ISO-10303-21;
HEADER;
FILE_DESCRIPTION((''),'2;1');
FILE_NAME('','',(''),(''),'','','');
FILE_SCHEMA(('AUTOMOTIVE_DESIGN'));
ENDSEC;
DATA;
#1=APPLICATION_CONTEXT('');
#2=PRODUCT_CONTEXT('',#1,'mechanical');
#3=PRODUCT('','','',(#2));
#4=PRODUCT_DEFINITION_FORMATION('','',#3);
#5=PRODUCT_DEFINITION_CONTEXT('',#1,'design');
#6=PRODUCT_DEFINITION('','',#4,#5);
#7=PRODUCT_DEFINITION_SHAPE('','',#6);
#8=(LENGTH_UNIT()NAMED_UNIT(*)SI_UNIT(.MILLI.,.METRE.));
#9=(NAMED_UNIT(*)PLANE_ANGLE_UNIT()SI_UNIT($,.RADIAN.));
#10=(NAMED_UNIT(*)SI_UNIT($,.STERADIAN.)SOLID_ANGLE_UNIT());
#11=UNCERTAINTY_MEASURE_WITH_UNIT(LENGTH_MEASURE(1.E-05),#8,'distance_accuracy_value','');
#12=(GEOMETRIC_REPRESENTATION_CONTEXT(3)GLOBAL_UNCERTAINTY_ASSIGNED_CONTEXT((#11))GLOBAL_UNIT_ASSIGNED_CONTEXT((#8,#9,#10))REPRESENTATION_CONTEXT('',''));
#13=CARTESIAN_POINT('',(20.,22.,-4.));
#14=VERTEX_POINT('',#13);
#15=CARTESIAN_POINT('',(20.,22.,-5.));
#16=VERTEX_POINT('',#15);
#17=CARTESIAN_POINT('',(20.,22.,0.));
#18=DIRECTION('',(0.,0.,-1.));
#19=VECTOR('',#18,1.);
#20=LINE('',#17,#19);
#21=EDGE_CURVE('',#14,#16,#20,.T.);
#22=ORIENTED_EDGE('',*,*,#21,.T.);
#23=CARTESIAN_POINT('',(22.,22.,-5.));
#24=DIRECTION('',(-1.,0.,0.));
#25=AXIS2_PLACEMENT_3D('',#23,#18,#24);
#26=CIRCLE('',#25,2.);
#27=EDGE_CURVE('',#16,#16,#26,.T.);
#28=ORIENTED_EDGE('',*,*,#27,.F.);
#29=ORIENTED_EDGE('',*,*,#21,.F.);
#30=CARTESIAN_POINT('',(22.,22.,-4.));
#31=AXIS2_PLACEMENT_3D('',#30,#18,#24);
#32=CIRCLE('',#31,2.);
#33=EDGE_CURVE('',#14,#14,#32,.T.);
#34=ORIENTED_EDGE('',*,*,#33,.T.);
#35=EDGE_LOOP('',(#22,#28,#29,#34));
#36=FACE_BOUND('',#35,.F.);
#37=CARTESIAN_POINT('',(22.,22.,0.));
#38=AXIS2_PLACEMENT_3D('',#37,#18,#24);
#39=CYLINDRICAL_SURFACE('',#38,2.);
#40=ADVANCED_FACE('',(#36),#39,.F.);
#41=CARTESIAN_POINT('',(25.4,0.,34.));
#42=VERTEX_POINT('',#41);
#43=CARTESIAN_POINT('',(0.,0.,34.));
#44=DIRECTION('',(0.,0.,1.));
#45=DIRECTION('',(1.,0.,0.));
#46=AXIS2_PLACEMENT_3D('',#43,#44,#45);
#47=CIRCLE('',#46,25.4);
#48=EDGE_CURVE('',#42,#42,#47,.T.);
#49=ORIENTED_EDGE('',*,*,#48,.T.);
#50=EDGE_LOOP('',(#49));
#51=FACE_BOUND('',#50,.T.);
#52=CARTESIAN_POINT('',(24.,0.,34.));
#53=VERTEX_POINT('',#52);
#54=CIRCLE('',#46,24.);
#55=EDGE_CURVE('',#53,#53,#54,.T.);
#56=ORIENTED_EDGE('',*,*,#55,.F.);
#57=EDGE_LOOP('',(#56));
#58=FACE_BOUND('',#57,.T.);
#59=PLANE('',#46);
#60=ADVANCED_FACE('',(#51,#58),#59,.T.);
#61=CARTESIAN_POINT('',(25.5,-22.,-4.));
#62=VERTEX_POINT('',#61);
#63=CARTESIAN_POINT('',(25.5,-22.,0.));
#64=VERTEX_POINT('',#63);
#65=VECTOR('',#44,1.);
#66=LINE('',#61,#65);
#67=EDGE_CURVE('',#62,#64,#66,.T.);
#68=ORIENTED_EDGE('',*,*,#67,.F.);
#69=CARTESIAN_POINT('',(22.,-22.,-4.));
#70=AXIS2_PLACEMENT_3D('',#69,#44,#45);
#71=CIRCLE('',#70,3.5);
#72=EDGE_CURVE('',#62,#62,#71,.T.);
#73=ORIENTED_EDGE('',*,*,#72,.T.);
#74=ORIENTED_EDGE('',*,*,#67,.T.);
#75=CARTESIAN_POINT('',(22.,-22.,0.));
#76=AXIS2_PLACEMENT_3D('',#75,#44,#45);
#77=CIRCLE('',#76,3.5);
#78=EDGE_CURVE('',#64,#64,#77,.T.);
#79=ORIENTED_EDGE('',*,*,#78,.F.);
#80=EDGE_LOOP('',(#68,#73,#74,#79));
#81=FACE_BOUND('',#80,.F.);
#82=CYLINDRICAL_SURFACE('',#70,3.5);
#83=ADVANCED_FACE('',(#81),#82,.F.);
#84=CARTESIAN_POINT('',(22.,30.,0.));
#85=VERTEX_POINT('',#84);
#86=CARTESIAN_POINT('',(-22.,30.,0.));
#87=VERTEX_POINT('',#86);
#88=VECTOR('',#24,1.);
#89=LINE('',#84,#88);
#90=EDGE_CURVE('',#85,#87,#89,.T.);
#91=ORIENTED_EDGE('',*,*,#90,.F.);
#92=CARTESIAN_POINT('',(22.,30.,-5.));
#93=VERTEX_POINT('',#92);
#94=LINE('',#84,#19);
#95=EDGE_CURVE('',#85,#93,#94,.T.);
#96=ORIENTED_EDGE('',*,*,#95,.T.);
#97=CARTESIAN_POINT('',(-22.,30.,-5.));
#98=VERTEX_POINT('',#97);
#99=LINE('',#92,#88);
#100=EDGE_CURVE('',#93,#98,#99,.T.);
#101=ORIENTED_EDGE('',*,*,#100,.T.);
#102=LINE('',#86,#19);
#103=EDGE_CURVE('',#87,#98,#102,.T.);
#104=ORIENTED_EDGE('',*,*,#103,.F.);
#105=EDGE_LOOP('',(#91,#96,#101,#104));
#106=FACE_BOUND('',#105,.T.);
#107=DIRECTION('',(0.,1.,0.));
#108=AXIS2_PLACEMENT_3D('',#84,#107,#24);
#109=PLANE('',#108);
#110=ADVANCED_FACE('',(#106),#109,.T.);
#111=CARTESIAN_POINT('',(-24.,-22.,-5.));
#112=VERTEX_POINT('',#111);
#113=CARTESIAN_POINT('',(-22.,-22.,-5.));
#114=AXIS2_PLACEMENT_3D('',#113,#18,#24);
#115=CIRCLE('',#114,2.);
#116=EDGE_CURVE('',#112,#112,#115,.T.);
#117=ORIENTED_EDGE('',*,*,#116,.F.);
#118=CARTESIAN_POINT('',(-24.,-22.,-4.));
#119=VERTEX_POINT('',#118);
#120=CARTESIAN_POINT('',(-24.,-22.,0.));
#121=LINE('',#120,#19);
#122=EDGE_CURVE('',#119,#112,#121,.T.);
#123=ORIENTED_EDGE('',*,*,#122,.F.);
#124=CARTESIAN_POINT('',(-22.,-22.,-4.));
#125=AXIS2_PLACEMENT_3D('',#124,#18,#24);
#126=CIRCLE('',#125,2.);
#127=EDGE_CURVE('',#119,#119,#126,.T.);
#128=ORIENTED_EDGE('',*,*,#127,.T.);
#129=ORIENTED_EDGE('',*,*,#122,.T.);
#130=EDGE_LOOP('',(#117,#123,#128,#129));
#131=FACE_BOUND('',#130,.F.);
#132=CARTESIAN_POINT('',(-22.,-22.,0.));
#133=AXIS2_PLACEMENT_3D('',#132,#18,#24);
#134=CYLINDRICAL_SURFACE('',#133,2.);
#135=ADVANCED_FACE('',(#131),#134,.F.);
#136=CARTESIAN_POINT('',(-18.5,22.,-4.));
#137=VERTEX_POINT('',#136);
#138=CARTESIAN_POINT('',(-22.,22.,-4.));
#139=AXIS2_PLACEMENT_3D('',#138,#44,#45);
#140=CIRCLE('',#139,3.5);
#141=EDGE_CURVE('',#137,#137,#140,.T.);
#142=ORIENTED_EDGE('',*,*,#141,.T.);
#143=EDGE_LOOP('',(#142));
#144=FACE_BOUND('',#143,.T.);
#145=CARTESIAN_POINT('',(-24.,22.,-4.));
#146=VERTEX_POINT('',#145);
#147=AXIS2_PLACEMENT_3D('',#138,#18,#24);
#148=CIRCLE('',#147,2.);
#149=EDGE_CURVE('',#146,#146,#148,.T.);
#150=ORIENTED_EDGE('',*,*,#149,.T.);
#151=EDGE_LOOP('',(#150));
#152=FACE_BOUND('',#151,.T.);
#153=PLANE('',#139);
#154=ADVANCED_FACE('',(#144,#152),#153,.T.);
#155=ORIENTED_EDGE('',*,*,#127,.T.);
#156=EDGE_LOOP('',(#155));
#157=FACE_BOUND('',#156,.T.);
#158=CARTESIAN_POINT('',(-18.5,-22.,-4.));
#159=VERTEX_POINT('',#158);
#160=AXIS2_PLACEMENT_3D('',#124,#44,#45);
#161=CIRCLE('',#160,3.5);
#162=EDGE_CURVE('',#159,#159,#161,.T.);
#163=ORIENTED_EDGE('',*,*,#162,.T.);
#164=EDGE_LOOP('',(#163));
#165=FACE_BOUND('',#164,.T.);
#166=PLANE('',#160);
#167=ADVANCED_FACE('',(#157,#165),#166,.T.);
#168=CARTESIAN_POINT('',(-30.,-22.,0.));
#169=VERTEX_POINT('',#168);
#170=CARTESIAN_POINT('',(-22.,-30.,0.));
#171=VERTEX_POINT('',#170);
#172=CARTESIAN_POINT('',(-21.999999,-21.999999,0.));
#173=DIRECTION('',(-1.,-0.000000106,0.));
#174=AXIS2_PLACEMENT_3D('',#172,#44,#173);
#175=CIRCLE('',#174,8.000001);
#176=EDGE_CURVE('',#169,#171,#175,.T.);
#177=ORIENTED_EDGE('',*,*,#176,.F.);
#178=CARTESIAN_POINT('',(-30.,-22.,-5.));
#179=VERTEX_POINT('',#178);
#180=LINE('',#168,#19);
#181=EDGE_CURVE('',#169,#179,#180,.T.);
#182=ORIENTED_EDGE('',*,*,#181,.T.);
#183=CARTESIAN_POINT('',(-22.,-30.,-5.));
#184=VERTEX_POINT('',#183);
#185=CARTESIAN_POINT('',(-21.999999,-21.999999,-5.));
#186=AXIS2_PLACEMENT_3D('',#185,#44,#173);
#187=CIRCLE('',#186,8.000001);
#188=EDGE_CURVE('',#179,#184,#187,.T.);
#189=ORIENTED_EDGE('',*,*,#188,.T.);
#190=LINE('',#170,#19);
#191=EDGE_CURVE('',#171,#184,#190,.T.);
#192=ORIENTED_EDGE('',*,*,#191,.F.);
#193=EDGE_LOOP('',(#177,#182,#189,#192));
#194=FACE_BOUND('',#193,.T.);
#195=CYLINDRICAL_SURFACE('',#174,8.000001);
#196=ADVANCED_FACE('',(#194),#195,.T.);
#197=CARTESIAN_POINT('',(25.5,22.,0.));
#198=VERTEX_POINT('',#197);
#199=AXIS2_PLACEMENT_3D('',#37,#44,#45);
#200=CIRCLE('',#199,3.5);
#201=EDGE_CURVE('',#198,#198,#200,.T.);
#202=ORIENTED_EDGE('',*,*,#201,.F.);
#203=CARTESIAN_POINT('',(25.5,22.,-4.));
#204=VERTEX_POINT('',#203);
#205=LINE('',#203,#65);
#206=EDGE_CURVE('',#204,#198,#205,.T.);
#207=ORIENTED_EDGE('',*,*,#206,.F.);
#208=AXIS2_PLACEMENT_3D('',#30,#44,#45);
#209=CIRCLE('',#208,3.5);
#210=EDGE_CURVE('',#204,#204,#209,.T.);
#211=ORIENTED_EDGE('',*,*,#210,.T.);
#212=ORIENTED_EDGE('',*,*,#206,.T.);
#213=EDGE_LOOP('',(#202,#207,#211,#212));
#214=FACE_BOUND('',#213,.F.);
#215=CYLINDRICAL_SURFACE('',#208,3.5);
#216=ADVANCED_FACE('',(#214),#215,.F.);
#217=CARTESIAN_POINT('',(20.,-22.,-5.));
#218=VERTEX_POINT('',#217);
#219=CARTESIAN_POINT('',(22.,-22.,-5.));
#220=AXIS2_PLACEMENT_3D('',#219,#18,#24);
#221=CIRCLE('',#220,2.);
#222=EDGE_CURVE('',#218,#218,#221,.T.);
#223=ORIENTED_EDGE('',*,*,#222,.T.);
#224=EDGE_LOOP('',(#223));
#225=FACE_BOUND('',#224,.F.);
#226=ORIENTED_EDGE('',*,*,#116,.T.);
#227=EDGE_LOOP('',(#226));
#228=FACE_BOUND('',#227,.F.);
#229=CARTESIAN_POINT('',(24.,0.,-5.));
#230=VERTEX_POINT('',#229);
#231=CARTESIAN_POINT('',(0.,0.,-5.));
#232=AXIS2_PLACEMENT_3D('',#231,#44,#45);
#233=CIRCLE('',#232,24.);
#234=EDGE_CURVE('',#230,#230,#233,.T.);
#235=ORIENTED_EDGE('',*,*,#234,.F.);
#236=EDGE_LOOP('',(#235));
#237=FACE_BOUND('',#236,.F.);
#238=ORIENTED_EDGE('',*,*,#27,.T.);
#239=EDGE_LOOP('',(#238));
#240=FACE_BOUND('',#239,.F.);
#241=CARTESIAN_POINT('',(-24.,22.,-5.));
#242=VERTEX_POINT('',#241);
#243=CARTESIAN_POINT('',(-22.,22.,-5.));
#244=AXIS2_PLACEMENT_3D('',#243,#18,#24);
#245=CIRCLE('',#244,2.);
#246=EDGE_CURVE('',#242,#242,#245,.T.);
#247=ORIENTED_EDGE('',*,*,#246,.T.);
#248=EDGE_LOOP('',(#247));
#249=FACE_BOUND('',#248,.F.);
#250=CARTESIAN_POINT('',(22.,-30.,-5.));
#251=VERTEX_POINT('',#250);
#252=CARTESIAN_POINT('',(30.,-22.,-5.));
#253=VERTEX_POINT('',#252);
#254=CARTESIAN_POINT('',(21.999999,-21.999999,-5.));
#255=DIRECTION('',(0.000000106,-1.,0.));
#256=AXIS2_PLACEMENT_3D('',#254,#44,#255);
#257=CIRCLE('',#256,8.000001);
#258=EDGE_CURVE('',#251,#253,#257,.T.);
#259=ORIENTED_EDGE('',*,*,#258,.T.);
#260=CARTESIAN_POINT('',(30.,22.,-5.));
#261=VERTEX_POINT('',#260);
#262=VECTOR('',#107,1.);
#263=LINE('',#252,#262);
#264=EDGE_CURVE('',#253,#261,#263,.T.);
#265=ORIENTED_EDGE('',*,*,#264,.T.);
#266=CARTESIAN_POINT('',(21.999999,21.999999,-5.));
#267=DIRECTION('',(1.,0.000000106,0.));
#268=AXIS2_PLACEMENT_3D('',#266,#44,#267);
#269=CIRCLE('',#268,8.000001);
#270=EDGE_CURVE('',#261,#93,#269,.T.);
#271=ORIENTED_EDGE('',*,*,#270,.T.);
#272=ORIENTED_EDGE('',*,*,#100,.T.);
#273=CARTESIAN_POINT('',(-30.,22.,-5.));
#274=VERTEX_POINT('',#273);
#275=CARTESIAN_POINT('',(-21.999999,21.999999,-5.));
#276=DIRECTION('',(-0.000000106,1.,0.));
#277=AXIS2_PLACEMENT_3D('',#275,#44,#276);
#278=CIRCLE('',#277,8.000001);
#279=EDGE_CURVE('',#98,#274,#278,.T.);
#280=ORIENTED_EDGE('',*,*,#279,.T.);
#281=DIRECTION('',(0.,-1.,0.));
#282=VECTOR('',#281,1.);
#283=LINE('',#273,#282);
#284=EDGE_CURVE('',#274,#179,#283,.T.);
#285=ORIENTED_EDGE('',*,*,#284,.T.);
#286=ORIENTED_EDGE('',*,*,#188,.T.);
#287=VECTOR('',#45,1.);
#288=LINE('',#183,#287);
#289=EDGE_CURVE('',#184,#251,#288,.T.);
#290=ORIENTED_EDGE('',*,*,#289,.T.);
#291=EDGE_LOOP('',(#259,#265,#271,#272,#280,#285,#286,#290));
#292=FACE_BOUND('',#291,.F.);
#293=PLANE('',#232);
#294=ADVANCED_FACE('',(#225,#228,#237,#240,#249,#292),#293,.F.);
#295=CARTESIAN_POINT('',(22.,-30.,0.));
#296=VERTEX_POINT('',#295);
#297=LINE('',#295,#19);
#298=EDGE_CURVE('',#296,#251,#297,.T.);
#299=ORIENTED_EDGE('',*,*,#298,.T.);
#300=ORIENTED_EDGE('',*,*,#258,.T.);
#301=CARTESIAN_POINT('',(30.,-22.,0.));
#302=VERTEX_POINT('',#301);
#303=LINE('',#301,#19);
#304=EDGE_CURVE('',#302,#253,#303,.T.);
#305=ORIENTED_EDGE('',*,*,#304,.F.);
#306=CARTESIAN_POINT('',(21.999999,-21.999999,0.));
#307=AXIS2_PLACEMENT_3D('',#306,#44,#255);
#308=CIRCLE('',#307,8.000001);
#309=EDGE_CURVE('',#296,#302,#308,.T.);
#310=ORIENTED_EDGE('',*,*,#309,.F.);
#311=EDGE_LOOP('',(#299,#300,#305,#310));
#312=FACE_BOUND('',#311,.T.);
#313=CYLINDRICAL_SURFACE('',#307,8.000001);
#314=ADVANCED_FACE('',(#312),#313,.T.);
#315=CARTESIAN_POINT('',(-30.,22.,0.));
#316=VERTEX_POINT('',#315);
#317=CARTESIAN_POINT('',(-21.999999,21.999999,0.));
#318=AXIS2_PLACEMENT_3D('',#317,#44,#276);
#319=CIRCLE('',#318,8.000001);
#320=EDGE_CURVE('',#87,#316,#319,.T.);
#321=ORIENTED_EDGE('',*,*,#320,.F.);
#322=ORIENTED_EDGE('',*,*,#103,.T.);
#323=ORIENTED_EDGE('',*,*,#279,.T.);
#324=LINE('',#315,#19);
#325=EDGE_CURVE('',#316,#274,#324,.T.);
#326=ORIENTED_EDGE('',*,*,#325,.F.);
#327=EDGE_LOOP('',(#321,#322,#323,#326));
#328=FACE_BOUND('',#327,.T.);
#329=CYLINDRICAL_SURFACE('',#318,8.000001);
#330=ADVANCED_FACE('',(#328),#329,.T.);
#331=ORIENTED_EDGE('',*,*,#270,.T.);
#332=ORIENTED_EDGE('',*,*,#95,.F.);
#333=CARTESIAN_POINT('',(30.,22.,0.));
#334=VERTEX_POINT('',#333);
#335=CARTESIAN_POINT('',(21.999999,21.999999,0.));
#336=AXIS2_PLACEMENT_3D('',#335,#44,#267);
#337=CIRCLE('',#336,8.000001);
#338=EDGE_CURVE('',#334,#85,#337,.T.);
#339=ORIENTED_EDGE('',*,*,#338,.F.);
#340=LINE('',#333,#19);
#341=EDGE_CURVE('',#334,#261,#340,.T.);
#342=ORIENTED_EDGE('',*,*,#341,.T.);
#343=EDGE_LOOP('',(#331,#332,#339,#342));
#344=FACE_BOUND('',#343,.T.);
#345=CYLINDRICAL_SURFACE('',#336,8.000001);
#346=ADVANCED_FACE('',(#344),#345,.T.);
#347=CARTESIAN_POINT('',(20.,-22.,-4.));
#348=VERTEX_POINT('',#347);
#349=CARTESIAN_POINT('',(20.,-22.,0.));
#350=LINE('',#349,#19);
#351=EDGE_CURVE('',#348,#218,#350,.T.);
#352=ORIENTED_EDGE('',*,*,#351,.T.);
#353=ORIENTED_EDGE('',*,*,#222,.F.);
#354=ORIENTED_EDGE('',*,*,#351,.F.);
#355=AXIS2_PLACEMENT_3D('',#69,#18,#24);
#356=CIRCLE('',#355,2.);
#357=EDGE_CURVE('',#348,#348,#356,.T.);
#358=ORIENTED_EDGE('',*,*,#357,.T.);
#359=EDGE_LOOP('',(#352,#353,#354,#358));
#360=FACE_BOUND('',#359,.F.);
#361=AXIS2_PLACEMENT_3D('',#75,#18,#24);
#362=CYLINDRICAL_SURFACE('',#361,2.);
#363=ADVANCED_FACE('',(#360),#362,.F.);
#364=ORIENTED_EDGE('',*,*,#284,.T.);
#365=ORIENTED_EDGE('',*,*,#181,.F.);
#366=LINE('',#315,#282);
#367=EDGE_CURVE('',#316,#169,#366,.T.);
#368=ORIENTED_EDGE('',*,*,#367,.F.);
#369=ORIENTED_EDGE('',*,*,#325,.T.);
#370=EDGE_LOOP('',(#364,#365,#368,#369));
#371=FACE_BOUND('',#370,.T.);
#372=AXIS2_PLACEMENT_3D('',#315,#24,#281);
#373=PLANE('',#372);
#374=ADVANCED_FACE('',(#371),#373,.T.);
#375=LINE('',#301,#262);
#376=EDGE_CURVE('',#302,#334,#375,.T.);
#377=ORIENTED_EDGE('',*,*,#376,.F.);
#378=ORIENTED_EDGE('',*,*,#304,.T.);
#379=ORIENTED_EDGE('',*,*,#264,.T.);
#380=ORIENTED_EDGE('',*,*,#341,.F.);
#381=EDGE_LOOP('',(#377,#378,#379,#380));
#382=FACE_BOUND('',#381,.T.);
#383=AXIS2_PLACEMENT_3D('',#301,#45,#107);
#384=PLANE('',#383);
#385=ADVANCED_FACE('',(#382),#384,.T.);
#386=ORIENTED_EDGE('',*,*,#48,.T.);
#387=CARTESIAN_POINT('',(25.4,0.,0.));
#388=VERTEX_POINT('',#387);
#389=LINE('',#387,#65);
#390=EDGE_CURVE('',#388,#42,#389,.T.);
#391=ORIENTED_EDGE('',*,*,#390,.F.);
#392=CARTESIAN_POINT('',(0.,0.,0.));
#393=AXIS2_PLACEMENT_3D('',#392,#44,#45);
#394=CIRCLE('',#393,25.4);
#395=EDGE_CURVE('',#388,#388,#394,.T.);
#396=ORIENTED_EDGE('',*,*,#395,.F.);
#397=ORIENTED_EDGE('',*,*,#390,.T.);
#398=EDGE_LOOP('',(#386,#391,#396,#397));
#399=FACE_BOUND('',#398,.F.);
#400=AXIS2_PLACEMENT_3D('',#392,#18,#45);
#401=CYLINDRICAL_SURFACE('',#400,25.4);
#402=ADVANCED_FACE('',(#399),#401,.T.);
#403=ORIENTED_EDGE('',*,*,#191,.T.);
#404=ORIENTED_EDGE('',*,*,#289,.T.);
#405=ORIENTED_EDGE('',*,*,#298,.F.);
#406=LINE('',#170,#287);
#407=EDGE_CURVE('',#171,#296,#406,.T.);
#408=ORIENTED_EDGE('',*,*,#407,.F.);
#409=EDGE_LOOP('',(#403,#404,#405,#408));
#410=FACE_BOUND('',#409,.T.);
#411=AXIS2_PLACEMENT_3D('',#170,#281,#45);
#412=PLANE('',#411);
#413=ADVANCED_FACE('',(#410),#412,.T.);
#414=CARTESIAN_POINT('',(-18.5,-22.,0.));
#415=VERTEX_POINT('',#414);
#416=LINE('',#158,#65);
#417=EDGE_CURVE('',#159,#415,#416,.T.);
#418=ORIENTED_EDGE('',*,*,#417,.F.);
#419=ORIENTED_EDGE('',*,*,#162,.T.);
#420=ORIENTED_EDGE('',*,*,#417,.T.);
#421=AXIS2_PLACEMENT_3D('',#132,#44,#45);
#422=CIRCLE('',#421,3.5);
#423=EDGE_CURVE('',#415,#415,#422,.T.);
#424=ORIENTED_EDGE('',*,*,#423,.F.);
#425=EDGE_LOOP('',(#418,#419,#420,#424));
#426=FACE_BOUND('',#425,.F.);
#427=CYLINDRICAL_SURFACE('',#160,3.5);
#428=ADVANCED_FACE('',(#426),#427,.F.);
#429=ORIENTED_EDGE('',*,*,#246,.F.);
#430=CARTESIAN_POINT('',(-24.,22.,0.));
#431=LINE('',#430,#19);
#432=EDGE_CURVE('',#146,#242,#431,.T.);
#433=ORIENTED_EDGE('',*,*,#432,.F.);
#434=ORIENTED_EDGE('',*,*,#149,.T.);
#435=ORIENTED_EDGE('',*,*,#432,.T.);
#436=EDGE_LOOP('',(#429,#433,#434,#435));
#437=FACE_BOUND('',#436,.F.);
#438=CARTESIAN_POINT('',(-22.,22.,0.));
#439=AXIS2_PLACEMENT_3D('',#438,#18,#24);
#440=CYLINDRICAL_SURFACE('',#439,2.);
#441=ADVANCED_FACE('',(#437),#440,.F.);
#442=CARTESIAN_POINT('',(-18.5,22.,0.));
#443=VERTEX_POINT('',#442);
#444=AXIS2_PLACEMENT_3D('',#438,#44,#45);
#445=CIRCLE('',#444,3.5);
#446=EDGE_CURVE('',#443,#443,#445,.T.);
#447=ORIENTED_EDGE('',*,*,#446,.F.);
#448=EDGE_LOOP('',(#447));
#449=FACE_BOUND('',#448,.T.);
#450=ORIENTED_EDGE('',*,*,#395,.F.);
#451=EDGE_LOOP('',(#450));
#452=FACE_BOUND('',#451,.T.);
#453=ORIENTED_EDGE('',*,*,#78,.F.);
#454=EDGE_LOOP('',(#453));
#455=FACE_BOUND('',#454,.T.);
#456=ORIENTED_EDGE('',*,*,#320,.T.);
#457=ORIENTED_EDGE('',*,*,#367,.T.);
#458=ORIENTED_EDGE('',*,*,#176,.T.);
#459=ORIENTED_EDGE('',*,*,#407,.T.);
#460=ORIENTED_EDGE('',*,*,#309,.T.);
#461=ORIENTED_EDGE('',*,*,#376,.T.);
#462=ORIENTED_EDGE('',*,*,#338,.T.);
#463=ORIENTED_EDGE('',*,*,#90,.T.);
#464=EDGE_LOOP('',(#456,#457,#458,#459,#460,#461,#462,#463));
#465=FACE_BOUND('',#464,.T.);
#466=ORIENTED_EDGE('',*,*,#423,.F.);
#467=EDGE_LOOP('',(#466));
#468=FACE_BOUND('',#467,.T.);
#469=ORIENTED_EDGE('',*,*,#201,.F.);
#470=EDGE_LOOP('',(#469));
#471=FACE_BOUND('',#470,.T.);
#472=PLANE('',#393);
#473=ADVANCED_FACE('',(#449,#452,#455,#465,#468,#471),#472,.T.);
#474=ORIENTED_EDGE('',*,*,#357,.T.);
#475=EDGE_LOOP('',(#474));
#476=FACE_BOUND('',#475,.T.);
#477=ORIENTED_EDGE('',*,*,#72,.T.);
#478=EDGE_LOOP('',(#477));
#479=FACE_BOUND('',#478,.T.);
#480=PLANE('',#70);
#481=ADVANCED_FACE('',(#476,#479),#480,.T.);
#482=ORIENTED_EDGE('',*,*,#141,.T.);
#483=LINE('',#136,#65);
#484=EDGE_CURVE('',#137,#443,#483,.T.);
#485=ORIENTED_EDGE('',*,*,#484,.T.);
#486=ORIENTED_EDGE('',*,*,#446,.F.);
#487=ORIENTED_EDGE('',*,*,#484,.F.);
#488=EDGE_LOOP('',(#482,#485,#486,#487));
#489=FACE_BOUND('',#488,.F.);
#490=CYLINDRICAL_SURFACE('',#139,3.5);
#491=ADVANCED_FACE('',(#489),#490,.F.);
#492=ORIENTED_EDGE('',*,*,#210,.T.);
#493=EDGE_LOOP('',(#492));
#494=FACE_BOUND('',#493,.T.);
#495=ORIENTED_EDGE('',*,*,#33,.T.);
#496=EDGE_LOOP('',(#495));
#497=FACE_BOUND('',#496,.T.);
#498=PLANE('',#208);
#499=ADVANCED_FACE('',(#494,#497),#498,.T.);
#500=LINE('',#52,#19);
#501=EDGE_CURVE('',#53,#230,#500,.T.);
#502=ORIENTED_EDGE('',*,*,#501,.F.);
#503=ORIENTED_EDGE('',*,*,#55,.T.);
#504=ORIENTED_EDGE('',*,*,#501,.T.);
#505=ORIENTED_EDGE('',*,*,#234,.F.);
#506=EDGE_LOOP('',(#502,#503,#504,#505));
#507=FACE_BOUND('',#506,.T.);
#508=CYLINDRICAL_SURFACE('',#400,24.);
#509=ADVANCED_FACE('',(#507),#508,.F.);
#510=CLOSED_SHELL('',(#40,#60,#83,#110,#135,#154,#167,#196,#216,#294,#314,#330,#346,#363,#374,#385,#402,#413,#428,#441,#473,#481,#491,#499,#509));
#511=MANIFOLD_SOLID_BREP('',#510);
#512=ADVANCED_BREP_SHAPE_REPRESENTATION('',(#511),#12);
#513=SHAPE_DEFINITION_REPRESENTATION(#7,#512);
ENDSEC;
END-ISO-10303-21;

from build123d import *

# Parameters (mm, degrees)
F0_R           = 24
F1_DEPTH       = 5
F2_R           = 25.4
F2_R_2         = 24
F3_DEPTH       = 34
F4_D           = 4
F4_CBORE_D     = 7
F4_CBORE_DEPTH = 4


with BuildPart() as f1:
    # F0 (on Top) → F1 (new body)
    with BuildSketch(Plane.XY):
        with BuildLine():
            Line((22, 30), (-22, 30))
            ThreePointArc((-22, 30), (-27.656854, 27.656854), (-30, 22))
            Line((-30, 22), (-30, -22))
            ThreePointArc((-30, -22), (-27.656854, -27.656854), (-22, -30))
            Line((-22, -30), (22, -30))
            ThreePointArc((22, -30), (27.656854, -27.656854), (30, -22))
            Line((30, -22), (30, 22))
            ThreePointArc((30, 22), (27.656854, 27.656854), (22, 30))
        make_face()
        Circle(F0_R, mode=Mode.SUBTRACT)
    extrude(amount=-F1_DEPTH)

    # F2 (on face) → F3 (join)
    with BuildSketch(Plane.XY):
        Circle(F2_R)
        Circle(F2_R_2, mode=Mode.SUBTRACT)
    extrude(amount=F3_DEPTH)

    # F4 (through all)
    with Locations(Plane.XY):
        with Locations((-22, -22), (22, -22), (22, 22), (-22, 22)):
            CounterBoreHole(F4_D / 2, F4_CBORE_D / 2, F4_CBORE_DEPTH)


solid = f1.part
